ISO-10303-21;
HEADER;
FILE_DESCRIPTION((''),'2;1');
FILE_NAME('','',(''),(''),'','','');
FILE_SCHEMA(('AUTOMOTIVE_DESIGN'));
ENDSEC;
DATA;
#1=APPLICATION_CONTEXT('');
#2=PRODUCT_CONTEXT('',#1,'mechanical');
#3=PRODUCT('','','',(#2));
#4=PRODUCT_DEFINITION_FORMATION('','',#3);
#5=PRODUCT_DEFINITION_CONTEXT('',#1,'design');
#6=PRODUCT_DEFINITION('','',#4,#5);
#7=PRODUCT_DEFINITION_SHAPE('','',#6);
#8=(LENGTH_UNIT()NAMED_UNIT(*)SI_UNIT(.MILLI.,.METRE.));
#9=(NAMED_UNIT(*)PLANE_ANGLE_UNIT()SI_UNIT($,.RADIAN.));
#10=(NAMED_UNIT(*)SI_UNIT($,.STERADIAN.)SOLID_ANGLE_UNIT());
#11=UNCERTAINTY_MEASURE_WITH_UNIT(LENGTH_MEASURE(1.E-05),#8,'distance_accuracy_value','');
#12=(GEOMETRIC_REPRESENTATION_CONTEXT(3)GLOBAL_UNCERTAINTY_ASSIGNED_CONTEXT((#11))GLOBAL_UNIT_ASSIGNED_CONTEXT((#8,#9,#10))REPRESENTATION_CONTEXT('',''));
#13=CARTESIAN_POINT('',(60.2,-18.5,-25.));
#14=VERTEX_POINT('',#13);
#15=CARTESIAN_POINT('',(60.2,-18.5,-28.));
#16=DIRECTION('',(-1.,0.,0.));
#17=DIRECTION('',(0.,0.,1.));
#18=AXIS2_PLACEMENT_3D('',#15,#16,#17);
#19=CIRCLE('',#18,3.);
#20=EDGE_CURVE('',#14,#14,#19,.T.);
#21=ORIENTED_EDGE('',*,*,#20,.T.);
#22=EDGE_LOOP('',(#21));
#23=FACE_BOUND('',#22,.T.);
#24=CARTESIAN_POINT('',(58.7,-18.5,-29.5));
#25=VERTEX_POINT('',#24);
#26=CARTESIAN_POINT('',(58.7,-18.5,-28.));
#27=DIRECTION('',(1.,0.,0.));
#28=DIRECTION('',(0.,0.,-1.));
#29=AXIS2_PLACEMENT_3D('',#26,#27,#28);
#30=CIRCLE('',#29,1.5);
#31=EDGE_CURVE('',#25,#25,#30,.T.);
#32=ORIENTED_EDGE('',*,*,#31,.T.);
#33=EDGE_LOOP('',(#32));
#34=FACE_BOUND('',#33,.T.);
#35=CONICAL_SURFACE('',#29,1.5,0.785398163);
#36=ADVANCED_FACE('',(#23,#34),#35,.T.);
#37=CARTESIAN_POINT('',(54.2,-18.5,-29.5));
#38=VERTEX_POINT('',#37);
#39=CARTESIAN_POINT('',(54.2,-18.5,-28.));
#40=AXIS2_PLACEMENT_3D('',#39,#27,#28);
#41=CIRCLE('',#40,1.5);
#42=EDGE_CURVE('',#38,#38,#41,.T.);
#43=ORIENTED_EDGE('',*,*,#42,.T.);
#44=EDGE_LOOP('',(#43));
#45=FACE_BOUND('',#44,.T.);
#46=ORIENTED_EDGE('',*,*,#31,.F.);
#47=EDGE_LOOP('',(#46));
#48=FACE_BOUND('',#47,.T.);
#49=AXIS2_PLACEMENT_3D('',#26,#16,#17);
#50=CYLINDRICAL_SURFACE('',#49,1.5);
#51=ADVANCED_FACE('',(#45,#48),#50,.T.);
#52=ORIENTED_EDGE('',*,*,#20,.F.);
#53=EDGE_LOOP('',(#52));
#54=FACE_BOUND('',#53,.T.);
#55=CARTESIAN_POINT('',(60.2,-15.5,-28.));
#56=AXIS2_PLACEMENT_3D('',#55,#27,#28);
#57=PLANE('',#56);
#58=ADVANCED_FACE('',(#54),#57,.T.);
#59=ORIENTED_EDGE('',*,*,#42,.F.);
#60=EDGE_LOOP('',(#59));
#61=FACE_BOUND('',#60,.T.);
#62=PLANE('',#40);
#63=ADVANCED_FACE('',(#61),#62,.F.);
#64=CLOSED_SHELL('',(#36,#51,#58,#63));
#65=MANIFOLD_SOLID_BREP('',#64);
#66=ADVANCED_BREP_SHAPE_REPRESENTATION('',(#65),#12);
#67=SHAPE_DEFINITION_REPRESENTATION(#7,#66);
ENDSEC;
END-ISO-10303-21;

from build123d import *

# Parameters (mm, degrees)
M3_FIXING_SHANK_SKETCH_R = 1.5
M3_FIXING_SHANK_DEPTH    = 4.5


with BuildPart() as part:
    # M3 fixing shank sketch → M3 fixing shank (new body)
    with BuildSketch(Plane(origin=(54.2, 0, 0), x_dir=(0, 0, -1), z_dir=(1, 0, 0))):
        with Locations((28, -18.5)):
            Circle(M3_FIXING_SHANK_SKETCH_R)
    extrude(amount=M3_FIXING_SHANK_DEPTH)

    # Countersunk screw head profile → Countersunk screw head (revolve)
    with BuildSketch(Plane(origin=(0, 0, -28), x_dir=(-1, 0, 0), z_dir=(0, 0, -1)), mode=Mode.PRIVATE) as countersunk_screw_head_sk:
        Polygon((-58.7, -18.5), (-58.7, -17), (-60.2, -15.5), (-60.2, -18.5), align=None)
    revolve(countersunk_screw_head_sk.sketch.rotate(Axis((48.7, -18.5, -28), (1, 0, 0)), 270), axis=Axis((48.7, -18.5, -28), (1, 0, 0)))


solid = part.part
